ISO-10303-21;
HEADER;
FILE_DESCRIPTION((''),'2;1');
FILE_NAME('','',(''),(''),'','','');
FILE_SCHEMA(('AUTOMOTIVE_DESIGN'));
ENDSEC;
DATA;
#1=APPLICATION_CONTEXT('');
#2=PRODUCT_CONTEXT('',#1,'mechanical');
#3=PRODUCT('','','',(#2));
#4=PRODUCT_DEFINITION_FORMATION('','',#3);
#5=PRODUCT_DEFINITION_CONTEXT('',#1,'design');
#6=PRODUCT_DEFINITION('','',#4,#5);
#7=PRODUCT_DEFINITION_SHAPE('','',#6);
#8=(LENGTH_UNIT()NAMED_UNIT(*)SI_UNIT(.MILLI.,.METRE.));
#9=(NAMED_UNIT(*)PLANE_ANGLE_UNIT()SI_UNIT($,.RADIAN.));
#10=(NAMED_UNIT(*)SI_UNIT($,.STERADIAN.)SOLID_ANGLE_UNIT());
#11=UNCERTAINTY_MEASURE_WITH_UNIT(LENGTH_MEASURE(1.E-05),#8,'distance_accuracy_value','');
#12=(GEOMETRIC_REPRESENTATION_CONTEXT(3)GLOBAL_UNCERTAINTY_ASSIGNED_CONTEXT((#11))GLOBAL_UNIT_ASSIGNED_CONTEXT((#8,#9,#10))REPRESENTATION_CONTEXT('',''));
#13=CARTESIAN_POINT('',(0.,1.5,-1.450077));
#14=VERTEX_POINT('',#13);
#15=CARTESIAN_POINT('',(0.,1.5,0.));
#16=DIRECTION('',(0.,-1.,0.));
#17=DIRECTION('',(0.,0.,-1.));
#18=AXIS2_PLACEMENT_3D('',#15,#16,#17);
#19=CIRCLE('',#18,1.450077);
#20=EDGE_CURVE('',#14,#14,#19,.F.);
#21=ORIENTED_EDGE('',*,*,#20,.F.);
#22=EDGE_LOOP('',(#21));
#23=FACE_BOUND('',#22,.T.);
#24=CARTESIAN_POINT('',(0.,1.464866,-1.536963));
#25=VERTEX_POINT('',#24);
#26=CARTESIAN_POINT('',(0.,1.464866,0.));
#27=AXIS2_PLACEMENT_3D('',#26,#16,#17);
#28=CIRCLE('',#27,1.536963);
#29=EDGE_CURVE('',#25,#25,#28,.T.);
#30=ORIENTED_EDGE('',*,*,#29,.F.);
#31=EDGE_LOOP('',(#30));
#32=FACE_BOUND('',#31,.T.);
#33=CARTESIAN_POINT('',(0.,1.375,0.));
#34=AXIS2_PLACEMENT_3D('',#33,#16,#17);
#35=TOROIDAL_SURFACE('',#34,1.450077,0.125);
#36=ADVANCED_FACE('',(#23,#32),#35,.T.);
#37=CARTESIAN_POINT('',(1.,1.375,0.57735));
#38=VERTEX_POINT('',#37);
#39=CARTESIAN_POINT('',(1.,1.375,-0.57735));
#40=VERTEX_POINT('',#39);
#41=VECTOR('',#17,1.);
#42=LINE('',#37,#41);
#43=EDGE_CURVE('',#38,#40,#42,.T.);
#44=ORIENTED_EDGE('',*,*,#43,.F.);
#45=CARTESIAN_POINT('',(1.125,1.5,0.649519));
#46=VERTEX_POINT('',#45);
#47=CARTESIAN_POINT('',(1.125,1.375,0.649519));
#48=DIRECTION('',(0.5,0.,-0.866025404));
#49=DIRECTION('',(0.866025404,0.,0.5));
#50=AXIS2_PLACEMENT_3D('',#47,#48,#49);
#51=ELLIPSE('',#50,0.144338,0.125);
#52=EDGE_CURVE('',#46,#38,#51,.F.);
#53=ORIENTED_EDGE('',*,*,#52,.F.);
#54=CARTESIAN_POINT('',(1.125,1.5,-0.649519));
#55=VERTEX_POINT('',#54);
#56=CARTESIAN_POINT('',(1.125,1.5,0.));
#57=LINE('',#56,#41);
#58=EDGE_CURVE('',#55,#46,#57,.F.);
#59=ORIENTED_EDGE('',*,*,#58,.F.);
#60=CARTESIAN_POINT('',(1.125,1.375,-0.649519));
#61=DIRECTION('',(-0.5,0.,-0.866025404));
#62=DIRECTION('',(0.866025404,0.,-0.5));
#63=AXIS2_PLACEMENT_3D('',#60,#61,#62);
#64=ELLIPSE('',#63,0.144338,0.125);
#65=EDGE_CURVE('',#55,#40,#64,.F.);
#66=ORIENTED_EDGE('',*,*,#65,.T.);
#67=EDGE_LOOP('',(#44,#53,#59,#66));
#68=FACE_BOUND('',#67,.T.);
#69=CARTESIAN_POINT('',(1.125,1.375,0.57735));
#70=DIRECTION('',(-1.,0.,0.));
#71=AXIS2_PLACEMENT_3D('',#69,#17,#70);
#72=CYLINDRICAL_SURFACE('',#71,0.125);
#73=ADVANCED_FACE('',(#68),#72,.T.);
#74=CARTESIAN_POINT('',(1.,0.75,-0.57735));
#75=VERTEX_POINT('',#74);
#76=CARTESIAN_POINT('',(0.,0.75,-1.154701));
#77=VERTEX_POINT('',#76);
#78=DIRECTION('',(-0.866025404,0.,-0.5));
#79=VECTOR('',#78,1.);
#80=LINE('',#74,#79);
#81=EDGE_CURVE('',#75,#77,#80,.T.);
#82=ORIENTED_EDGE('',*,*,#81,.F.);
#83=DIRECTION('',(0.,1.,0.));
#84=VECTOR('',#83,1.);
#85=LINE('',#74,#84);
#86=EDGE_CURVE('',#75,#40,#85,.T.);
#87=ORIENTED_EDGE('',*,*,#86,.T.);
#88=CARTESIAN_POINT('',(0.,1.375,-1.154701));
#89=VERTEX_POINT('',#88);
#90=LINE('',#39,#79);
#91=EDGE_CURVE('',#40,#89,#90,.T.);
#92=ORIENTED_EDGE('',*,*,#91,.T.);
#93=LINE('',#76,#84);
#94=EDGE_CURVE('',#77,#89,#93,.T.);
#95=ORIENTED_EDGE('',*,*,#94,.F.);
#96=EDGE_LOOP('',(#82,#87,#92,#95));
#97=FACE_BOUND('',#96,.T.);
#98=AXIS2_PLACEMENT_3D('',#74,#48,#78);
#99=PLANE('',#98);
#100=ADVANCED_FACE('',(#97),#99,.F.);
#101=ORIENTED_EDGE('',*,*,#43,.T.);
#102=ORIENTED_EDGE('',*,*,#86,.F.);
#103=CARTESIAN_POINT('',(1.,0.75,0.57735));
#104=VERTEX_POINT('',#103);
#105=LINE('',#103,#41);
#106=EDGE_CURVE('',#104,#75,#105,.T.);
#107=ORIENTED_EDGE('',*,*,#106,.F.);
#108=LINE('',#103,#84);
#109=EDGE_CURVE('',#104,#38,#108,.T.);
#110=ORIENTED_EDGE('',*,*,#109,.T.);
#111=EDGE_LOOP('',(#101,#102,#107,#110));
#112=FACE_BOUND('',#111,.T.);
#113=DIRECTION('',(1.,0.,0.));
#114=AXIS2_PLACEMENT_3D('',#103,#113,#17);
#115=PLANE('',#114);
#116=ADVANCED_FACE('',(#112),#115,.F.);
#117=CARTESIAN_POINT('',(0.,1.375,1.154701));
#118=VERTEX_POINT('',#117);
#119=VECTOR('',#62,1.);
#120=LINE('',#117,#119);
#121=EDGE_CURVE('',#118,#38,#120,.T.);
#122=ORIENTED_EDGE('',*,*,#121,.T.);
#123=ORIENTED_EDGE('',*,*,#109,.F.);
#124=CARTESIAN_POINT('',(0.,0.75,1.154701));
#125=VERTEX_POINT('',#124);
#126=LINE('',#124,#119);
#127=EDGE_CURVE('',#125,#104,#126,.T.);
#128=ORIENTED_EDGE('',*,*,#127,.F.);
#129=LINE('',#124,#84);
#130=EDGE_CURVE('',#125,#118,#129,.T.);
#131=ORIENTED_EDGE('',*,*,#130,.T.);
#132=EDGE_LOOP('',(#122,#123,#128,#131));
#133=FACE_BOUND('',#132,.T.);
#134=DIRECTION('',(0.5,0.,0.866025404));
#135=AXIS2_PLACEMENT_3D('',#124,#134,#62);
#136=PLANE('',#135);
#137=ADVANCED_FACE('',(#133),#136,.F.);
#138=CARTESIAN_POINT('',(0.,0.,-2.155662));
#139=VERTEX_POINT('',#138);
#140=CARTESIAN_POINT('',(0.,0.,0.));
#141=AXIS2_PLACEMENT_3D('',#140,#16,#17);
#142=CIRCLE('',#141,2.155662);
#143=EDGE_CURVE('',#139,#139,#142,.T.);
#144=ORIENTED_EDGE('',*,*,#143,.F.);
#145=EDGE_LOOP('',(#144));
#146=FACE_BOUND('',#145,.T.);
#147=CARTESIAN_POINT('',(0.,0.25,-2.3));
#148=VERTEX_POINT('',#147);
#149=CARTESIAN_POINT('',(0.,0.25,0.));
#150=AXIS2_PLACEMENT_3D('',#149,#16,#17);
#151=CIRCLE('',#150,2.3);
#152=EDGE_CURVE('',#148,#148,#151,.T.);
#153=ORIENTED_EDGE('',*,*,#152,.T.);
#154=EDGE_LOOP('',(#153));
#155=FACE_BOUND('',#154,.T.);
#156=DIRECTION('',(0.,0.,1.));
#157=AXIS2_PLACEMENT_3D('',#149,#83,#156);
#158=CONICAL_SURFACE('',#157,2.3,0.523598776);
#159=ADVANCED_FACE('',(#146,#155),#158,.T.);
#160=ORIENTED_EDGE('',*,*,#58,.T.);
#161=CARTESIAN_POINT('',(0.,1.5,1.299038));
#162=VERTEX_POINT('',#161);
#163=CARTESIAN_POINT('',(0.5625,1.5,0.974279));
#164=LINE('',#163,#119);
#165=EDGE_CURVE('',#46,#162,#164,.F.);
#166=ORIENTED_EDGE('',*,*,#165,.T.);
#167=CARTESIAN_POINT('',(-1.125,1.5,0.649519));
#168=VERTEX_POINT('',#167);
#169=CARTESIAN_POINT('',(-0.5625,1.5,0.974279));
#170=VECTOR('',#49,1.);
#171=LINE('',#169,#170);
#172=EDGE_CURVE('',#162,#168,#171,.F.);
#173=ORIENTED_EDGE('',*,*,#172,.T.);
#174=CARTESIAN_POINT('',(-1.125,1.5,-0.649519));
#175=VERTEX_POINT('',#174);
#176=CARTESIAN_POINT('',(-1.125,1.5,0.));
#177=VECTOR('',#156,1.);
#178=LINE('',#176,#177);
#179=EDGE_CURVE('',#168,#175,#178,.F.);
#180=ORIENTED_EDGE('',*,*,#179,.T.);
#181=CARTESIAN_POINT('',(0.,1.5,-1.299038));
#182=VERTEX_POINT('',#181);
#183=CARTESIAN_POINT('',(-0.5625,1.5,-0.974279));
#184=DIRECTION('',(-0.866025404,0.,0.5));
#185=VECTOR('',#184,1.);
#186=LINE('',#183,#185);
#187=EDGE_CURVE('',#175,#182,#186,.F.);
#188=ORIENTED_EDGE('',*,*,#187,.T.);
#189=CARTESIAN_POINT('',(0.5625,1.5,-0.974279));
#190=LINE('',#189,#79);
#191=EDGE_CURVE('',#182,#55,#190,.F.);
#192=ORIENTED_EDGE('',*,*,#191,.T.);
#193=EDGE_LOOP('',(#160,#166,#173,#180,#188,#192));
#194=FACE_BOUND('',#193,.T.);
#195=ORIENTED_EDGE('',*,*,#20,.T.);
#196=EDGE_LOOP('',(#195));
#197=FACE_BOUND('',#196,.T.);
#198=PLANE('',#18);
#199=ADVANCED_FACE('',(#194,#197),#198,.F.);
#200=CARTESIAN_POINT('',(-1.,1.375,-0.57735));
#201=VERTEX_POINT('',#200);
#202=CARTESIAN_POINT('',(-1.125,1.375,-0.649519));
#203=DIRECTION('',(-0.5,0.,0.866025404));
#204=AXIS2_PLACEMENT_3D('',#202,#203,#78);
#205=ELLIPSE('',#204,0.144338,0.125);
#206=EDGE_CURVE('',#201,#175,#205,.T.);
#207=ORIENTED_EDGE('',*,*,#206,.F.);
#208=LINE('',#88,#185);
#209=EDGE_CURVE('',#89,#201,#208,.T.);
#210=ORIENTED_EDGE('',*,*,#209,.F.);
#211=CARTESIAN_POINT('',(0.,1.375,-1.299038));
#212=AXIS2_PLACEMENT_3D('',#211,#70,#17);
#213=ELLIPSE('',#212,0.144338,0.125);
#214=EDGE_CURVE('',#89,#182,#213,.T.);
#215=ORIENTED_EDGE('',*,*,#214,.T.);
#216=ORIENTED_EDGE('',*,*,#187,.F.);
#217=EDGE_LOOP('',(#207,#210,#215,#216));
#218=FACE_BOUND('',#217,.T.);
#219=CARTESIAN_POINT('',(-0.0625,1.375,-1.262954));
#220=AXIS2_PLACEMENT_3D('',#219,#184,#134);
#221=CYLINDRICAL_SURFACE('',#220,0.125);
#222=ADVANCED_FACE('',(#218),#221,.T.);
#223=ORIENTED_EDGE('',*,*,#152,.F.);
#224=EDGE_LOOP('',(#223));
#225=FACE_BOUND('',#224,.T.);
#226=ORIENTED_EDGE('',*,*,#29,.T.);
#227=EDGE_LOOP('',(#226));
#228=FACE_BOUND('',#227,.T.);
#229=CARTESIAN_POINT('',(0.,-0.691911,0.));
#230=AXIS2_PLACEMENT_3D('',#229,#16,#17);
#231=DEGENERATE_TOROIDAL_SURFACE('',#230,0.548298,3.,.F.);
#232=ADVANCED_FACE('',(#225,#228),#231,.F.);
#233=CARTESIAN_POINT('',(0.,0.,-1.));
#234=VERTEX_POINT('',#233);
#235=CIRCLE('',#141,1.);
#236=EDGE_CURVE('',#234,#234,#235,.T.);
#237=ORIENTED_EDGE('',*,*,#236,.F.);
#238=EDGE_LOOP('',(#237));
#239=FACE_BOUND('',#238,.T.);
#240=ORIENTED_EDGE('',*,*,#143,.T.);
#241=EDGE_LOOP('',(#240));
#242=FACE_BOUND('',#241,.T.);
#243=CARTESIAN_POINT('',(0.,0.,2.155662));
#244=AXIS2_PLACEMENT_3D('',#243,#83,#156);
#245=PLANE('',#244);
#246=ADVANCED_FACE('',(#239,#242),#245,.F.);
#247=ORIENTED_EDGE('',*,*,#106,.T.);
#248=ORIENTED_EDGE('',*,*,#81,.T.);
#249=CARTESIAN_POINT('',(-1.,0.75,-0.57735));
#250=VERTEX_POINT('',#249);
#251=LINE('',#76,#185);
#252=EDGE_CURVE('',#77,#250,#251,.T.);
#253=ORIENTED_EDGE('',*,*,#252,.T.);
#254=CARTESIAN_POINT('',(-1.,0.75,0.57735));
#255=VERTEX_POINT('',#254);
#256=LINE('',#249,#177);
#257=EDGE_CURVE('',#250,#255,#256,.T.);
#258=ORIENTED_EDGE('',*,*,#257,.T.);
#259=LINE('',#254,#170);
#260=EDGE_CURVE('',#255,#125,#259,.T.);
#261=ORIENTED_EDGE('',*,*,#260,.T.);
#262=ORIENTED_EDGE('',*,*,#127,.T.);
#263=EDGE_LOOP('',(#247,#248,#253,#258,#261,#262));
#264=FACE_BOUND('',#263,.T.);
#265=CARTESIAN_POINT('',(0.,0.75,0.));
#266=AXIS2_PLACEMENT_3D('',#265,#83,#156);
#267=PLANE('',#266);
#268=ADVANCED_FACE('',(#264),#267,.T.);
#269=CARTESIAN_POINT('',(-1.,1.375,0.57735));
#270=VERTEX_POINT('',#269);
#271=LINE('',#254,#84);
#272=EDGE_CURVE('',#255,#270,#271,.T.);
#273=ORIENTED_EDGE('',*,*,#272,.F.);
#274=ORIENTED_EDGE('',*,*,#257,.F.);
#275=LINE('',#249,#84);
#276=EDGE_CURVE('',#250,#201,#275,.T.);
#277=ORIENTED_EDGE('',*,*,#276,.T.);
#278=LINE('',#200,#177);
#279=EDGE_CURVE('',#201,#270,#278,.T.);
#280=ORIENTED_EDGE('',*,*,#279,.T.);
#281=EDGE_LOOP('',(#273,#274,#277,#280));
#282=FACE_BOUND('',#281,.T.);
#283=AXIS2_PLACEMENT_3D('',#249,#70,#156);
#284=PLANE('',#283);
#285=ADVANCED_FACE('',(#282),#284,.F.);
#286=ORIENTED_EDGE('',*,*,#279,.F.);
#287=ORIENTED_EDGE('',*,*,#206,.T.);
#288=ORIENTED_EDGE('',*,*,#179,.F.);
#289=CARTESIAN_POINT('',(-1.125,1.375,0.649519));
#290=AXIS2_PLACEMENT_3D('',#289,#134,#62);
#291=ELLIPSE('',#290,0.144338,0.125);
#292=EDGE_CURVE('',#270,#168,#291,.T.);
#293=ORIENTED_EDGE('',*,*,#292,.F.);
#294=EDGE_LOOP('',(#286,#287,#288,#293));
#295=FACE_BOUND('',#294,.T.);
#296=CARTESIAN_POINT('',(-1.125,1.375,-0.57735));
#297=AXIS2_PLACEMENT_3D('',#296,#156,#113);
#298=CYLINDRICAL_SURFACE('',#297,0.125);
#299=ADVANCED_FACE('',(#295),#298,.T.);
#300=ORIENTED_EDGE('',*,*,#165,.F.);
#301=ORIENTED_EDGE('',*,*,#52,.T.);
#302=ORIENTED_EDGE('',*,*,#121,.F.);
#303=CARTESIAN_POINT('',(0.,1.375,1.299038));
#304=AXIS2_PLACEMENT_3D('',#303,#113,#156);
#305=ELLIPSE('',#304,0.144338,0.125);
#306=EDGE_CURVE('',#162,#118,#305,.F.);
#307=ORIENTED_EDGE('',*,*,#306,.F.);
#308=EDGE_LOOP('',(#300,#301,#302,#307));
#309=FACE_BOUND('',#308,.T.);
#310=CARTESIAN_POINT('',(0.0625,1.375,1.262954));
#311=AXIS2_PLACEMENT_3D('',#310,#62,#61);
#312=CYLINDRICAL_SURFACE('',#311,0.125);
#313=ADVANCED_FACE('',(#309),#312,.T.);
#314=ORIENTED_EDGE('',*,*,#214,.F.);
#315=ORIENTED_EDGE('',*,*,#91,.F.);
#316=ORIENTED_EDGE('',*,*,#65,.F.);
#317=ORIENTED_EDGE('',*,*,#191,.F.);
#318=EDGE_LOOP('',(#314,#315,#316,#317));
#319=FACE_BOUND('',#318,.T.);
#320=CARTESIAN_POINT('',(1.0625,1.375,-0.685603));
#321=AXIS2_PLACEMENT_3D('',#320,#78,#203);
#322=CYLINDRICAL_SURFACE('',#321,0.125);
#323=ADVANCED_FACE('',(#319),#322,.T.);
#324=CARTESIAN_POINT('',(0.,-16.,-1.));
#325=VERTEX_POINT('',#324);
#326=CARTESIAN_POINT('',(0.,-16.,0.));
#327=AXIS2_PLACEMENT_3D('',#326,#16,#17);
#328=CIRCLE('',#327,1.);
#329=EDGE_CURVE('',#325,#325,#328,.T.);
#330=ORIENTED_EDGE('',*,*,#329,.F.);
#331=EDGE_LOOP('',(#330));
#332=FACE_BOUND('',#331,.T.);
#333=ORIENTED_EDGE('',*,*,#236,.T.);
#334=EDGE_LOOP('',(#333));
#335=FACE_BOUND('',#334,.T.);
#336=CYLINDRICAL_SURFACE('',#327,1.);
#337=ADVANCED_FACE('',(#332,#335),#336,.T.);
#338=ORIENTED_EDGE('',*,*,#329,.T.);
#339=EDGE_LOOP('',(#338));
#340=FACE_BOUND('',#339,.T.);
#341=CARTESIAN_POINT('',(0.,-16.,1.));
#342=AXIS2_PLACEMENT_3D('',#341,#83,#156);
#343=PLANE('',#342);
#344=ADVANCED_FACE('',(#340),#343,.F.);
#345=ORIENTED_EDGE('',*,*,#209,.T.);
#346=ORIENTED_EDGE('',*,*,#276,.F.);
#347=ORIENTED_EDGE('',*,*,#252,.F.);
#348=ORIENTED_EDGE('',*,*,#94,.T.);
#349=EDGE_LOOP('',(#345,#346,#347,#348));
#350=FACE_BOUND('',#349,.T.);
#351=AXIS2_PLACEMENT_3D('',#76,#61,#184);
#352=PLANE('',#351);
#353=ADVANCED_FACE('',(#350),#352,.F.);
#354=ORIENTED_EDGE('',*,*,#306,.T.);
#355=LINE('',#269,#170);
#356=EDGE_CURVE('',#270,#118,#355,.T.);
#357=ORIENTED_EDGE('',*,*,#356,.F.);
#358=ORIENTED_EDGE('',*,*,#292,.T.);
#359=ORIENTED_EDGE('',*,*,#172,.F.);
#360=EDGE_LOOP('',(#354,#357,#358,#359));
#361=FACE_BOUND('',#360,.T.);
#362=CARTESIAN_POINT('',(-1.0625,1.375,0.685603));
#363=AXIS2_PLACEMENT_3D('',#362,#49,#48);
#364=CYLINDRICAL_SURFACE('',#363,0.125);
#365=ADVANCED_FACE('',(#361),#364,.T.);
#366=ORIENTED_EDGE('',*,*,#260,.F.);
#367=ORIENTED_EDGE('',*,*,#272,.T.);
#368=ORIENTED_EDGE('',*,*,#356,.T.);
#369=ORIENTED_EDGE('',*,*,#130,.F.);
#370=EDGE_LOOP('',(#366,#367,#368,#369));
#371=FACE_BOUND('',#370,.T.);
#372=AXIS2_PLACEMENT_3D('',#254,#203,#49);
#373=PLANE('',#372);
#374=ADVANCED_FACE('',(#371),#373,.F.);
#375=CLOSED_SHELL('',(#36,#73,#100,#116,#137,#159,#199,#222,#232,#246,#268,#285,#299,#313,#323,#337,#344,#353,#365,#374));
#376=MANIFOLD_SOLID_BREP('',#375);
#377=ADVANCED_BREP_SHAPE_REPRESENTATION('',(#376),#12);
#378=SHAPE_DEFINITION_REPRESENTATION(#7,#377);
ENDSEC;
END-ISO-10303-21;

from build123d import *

# Parameters (mm, degrees)
CUT_EXTRUDE1_DEPTH = 0.75
FILLET1_R          = 0.125


with BuildPart() as part:
    # Sketch1 → Revolve1 (revolve)
    with BuildSketch(Plane(origin=(0, 0, 0), x_dir=(0, 0, -1), z_dir=(1, 0, 0))):
        with BuildLine():
            Line((0, 1.5), (-1.5, 1.5))
            ThreePointArc((-1.5, 1.5), (-1.978515811, 0.925250119), (-2.3, 0.25))
            Line((-2.3, 0.25), (-2.155662433, 0))
            Line((-2.155662433, 0), (-1, 0))
            Line((-1, 0), (-1, -16))
            Line((-1, -16), (0, -16))
            Line((0, -16), (0, 1.5))
        make_face()
    revolve(axis=Axis((0, -16, 0), (0, 1, 0)))

    # Sketch2 → Cut-Extrude1 (cut)
    with BuildSketch(Plane(origin=(0, 1.5, 0), x_dir=(1, 0, 0), z_dir=(0, 1, 0))):
        Polygon((0, 1.154700538), (-1, 0.577350269), (-1, -0.577350269), (0, -1.154700538), (1, -0.577350269), (1, 0.577350269), align=None)
    extrude(amount=-CUT_EXTRUDE1_DEPTH, mode=Mode.SUBTRACT)

    # Fillet1
    fillet1_edges = [part.edges().sort_by_distance(p)[0] for p in [
        (0.5, 1.5, -0.866025404),
        (-0.5, 1.5, -0.866025404),
        (-1, 1.5, 0),
        (-0.5, 1.5, 0.866025404),
        (0.5, 1.5, 0.866025404),
        (1, 1.5, 0),
        (0, 1.5, -1.5),
    ]]
    fillet(fillet1_edges, radius=FILLET1_R)


solid = part.part
